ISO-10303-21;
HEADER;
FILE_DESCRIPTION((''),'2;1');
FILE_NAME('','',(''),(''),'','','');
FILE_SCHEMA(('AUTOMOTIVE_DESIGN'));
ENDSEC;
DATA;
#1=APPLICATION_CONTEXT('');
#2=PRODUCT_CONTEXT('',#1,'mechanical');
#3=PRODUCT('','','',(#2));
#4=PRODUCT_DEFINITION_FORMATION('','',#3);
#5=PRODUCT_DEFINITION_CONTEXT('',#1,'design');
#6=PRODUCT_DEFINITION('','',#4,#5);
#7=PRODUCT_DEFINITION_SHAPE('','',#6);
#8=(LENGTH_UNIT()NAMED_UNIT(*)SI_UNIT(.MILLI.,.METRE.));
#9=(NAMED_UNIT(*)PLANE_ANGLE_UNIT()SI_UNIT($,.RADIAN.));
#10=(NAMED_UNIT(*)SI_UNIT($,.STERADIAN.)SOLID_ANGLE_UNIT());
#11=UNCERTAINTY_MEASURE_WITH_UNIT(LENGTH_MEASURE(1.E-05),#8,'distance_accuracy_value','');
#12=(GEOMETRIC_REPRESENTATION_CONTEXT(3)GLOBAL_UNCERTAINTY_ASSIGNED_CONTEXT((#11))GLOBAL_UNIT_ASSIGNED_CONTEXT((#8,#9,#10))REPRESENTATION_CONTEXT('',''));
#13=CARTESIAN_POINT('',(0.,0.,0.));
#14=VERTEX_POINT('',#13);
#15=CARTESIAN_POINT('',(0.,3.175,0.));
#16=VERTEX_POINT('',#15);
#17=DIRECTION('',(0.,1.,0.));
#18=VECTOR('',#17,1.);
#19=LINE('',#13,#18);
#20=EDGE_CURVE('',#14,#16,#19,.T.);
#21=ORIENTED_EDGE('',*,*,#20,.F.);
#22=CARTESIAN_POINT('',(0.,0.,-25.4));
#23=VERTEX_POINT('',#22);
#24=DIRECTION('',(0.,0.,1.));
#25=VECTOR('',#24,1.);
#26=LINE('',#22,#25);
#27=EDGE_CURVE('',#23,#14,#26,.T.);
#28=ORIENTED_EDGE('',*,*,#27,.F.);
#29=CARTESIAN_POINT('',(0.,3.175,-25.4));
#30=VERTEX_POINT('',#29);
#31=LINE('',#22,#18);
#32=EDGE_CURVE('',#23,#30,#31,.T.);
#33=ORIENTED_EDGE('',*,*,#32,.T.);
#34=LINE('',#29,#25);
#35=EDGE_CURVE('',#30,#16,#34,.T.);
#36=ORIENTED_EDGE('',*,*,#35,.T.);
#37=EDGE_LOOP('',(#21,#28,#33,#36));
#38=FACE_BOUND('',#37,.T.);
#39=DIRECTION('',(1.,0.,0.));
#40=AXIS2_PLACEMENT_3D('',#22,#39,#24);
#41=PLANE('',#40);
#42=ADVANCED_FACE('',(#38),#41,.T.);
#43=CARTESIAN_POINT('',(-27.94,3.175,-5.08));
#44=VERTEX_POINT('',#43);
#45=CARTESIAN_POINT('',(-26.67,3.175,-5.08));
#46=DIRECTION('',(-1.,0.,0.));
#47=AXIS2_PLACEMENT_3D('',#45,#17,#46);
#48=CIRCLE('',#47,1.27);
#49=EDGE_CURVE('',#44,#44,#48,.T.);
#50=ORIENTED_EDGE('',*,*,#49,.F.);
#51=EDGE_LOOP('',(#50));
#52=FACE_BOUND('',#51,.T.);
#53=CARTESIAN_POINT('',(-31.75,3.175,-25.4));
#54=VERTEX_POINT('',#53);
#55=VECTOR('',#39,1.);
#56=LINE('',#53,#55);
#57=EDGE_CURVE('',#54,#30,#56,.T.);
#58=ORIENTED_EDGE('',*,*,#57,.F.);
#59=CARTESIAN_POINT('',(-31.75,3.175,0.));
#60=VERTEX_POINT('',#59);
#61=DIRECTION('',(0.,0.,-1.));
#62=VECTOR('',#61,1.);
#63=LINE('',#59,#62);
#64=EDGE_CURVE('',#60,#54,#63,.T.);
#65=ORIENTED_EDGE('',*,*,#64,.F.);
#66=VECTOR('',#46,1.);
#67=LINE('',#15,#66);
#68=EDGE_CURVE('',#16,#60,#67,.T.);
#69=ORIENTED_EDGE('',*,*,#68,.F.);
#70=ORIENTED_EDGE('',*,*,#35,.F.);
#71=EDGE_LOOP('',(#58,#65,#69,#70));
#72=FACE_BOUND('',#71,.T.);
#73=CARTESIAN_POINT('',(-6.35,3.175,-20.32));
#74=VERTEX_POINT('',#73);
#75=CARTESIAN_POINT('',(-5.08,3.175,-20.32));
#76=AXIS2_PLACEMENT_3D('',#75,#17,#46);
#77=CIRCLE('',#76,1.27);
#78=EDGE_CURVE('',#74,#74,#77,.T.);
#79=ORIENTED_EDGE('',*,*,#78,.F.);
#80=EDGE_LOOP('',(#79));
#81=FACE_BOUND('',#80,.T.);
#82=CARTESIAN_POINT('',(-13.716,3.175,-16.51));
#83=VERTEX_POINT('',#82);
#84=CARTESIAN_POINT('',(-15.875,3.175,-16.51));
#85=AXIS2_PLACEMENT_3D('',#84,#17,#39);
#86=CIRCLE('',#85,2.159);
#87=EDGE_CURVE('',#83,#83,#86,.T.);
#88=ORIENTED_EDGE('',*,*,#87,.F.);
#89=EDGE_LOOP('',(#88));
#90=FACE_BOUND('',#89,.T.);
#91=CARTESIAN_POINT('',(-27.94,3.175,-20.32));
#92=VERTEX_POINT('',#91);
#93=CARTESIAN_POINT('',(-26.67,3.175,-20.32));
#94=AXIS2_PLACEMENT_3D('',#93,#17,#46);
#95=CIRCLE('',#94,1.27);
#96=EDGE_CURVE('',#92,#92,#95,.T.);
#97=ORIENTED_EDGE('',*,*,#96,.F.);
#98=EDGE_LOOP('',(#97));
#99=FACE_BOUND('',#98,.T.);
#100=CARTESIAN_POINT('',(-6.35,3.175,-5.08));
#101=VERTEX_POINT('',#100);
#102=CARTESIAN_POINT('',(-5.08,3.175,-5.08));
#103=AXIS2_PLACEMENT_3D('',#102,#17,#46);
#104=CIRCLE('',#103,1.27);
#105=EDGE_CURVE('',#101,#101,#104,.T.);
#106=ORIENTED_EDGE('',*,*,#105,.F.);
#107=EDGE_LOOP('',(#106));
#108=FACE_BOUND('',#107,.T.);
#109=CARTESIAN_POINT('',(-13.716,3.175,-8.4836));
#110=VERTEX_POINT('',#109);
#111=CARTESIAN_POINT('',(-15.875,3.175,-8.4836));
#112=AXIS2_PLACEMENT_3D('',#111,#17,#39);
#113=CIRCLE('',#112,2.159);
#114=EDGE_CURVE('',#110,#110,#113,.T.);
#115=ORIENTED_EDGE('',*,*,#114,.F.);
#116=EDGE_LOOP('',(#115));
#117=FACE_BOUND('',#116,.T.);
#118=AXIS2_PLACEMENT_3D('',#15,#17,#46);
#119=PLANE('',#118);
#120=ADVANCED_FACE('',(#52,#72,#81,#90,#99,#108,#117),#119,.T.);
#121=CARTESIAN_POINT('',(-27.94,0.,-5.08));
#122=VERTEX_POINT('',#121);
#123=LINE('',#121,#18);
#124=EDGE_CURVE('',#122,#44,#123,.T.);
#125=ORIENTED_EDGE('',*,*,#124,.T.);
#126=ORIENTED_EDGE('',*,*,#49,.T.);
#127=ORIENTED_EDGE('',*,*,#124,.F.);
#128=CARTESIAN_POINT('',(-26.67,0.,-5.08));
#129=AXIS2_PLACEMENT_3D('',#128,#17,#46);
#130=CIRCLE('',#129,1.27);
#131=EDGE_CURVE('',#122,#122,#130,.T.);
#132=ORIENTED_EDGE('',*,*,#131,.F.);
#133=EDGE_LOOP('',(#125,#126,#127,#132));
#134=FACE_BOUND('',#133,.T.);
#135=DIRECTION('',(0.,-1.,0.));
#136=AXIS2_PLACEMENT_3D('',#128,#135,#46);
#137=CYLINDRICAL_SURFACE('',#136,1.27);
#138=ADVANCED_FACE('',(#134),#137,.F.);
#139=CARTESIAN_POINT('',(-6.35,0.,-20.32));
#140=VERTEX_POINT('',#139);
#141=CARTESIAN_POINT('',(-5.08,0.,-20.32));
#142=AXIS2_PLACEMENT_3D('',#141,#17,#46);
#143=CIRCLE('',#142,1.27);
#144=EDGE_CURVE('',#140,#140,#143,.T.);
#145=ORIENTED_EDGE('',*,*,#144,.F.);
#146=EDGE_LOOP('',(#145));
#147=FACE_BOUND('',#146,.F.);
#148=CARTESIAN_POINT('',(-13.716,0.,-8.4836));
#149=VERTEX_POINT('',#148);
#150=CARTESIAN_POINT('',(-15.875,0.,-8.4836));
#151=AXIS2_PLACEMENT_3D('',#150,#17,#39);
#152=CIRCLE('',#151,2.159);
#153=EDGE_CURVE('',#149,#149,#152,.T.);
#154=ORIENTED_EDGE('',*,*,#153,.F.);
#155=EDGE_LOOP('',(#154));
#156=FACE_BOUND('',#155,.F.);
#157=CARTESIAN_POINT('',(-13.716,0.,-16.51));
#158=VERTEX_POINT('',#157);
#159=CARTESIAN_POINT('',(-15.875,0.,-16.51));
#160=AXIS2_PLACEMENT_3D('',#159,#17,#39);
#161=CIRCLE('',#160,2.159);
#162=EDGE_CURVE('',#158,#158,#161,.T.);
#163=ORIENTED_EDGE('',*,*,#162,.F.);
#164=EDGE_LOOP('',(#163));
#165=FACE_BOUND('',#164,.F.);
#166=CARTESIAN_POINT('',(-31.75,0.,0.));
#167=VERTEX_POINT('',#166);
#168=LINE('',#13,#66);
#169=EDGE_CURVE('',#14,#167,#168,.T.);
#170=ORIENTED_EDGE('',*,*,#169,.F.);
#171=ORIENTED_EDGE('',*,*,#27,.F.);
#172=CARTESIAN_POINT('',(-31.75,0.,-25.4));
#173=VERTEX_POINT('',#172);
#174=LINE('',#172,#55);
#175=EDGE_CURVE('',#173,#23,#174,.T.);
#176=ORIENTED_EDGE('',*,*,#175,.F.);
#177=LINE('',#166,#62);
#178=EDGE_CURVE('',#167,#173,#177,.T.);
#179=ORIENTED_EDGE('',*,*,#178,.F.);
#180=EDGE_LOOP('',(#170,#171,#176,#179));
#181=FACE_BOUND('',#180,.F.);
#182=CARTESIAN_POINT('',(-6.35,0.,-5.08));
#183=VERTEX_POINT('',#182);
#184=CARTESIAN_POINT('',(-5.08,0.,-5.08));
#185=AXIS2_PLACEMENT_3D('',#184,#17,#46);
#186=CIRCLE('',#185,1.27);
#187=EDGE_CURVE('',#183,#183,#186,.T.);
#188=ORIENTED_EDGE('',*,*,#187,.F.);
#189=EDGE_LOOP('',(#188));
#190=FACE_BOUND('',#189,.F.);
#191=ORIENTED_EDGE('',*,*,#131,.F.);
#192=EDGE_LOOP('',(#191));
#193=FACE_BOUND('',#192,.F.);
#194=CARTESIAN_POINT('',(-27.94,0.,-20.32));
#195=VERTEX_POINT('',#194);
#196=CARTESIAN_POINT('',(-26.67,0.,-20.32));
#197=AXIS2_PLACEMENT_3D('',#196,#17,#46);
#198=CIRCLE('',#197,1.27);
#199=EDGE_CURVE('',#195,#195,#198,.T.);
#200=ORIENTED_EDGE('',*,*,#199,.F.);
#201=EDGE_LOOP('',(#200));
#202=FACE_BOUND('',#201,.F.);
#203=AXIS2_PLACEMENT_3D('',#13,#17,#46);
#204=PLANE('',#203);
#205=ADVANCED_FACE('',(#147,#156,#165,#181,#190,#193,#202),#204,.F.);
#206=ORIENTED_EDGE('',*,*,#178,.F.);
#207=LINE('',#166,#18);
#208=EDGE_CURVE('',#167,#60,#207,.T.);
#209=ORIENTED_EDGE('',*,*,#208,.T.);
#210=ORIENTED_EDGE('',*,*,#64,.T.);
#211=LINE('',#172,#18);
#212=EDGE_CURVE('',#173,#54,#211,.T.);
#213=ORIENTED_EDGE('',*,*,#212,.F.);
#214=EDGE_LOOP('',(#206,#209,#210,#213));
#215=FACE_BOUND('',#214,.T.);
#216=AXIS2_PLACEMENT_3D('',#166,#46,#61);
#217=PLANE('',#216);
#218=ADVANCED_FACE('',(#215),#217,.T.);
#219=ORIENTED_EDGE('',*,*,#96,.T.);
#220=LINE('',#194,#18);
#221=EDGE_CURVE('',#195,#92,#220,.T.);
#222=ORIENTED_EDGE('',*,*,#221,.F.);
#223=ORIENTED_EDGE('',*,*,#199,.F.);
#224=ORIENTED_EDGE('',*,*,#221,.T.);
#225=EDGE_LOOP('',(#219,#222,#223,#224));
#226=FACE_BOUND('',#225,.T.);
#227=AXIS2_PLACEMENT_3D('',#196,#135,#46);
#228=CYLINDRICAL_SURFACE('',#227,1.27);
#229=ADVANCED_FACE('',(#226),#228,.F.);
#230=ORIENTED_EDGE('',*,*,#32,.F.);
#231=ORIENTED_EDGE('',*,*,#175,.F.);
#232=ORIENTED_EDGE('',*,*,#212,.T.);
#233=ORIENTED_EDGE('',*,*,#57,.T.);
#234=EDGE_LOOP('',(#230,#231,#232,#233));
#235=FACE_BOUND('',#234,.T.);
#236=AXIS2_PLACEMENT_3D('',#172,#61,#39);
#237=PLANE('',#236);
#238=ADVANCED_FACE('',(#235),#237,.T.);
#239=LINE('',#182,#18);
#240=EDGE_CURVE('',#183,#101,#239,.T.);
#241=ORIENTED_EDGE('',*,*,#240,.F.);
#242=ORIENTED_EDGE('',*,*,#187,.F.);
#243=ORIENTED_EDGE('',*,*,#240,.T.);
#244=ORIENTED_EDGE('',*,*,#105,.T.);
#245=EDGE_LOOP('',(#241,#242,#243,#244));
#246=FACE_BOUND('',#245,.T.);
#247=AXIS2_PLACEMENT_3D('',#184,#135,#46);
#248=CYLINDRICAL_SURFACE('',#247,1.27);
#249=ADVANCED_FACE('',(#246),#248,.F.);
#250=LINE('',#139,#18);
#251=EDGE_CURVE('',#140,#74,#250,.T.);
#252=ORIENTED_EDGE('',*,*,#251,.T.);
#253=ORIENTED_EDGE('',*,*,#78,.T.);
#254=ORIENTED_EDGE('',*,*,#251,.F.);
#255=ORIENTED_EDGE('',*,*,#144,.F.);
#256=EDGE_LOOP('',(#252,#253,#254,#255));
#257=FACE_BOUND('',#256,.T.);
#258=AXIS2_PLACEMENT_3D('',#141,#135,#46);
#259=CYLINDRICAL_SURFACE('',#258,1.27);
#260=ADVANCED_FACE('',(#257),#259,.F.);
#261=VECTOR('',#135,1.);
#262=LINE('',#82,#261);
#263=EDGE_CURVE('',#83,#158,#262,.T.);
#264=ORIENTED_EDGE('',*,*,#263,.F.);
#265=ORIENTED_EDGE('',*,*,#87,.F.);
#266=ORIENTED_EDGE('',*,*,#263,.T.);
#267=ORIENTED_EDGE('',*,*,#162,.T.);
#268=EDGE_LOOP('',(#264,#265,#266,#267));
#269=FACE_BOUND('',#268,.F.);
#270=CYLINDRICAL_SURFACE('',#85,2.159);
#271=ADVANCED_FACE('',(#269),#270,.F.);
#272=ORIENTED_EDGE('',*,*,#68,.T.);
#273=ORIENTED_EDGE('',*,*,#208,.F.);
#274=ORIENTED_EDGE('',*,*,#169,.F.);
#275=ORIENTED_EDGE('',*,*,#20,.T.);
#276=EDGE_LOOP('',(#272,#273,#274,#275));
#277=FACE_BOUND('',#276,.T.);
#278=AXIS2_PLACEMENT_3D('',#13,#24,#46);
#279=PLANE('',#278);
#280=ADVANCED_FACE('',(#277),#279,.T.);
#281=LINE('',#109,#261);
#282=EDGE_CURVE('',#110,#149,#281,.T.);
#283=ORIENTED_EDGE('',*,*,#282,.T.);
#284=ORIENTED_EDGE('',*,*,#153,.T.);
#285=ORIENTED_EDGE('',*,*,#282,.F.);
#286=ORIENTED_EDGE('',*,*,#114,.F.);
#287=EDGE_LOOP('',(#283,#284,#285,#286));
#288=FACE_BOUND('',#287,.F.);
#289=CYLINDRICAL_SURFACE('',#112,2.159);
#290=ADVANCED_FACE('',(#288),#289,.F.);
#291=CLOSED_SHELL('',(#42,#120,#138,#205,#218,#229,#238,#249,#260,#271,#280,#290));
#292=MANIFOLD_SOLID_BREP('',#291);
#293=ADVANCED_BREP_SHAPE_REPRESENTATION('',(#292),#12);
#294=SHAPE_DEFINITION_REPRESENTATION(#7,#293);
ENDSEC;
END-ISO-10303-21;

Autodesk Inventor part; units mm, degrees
ref_plane "YZ Plane" through (0, 0, 0) normal (1, 0, 0) x (0, 1, 0)
ref_plane "XZ Plane" through (0, 0, 0) normal (0, 1, 0) x (-1, 0, 0)
ref_plane "XY Plane" through (0, 0, 0) normal (0, 0, 1) x (1, 0, 0)
sketch "Sketch1" plane through (0, 0, 0) normal (0, 1, 0) x (-1, 0, 0)
  line L0 (0, 0) -> (31.75, 0)
  line L1 (31.75, 0) -> (31.75, -25.4)
  line L2 (31.75, -25.4) -> (0, -25.4)
  line L3 (0, -25.4) -> (0, 0)
  circle A0 centre (26.67, -5.08) radius 1.27
  circle A1 centre (26.67, -20.32) radius 1.27
  circle A2 centre (5.08, -20.32) radius 1.27
  circle A3 centre (5.08, -5.08) radius 1.27
  dimension "d0" = 31.75
  dimension "d1" = 25.4
  dimension "d2" = 2.54
  dimension "d3" = 2.54
  dimension "d4" = 2.54
  dimension "d5" = 2.54
  dimension "d6" = 15.24
  dimension "d7" = 21.59
  dimension "d8" = 0
  dimension "d9" = 0
  dimension "d10" = 0
  dimension "d11" = 0
  dimension "d12" = 5.08
  dimension "d13" = 5.08
extrude "Extrusion1" add sketch "Sketch1" along normal blind 3.175
sketch "Sketch2" plane through (0, 3.175, 0) normal (0, 1, 0) x (1, 0, 0)
  circle A0 centre (-15.875, 16.51) radius 2.159
  line L0 (0, 25.4) -> (-31.75, 25.4) projected
  circle A1 centre (-15.875, 8.4836) radius 2.159
  line L1 (0, 0) -> (0, 25.4) projected
  dimension "d16" = 4.318
  dimension "d17" = 8.89
  dimension "d18" = 4.318
  dimension "d19" = 8.0264
  dimension "d20" = 15.875
  dimension "d21" = 15.875
extrude "Extrusion2" cut sketch "Sketch2" against normal through all
properties part number "IMU Mount"
